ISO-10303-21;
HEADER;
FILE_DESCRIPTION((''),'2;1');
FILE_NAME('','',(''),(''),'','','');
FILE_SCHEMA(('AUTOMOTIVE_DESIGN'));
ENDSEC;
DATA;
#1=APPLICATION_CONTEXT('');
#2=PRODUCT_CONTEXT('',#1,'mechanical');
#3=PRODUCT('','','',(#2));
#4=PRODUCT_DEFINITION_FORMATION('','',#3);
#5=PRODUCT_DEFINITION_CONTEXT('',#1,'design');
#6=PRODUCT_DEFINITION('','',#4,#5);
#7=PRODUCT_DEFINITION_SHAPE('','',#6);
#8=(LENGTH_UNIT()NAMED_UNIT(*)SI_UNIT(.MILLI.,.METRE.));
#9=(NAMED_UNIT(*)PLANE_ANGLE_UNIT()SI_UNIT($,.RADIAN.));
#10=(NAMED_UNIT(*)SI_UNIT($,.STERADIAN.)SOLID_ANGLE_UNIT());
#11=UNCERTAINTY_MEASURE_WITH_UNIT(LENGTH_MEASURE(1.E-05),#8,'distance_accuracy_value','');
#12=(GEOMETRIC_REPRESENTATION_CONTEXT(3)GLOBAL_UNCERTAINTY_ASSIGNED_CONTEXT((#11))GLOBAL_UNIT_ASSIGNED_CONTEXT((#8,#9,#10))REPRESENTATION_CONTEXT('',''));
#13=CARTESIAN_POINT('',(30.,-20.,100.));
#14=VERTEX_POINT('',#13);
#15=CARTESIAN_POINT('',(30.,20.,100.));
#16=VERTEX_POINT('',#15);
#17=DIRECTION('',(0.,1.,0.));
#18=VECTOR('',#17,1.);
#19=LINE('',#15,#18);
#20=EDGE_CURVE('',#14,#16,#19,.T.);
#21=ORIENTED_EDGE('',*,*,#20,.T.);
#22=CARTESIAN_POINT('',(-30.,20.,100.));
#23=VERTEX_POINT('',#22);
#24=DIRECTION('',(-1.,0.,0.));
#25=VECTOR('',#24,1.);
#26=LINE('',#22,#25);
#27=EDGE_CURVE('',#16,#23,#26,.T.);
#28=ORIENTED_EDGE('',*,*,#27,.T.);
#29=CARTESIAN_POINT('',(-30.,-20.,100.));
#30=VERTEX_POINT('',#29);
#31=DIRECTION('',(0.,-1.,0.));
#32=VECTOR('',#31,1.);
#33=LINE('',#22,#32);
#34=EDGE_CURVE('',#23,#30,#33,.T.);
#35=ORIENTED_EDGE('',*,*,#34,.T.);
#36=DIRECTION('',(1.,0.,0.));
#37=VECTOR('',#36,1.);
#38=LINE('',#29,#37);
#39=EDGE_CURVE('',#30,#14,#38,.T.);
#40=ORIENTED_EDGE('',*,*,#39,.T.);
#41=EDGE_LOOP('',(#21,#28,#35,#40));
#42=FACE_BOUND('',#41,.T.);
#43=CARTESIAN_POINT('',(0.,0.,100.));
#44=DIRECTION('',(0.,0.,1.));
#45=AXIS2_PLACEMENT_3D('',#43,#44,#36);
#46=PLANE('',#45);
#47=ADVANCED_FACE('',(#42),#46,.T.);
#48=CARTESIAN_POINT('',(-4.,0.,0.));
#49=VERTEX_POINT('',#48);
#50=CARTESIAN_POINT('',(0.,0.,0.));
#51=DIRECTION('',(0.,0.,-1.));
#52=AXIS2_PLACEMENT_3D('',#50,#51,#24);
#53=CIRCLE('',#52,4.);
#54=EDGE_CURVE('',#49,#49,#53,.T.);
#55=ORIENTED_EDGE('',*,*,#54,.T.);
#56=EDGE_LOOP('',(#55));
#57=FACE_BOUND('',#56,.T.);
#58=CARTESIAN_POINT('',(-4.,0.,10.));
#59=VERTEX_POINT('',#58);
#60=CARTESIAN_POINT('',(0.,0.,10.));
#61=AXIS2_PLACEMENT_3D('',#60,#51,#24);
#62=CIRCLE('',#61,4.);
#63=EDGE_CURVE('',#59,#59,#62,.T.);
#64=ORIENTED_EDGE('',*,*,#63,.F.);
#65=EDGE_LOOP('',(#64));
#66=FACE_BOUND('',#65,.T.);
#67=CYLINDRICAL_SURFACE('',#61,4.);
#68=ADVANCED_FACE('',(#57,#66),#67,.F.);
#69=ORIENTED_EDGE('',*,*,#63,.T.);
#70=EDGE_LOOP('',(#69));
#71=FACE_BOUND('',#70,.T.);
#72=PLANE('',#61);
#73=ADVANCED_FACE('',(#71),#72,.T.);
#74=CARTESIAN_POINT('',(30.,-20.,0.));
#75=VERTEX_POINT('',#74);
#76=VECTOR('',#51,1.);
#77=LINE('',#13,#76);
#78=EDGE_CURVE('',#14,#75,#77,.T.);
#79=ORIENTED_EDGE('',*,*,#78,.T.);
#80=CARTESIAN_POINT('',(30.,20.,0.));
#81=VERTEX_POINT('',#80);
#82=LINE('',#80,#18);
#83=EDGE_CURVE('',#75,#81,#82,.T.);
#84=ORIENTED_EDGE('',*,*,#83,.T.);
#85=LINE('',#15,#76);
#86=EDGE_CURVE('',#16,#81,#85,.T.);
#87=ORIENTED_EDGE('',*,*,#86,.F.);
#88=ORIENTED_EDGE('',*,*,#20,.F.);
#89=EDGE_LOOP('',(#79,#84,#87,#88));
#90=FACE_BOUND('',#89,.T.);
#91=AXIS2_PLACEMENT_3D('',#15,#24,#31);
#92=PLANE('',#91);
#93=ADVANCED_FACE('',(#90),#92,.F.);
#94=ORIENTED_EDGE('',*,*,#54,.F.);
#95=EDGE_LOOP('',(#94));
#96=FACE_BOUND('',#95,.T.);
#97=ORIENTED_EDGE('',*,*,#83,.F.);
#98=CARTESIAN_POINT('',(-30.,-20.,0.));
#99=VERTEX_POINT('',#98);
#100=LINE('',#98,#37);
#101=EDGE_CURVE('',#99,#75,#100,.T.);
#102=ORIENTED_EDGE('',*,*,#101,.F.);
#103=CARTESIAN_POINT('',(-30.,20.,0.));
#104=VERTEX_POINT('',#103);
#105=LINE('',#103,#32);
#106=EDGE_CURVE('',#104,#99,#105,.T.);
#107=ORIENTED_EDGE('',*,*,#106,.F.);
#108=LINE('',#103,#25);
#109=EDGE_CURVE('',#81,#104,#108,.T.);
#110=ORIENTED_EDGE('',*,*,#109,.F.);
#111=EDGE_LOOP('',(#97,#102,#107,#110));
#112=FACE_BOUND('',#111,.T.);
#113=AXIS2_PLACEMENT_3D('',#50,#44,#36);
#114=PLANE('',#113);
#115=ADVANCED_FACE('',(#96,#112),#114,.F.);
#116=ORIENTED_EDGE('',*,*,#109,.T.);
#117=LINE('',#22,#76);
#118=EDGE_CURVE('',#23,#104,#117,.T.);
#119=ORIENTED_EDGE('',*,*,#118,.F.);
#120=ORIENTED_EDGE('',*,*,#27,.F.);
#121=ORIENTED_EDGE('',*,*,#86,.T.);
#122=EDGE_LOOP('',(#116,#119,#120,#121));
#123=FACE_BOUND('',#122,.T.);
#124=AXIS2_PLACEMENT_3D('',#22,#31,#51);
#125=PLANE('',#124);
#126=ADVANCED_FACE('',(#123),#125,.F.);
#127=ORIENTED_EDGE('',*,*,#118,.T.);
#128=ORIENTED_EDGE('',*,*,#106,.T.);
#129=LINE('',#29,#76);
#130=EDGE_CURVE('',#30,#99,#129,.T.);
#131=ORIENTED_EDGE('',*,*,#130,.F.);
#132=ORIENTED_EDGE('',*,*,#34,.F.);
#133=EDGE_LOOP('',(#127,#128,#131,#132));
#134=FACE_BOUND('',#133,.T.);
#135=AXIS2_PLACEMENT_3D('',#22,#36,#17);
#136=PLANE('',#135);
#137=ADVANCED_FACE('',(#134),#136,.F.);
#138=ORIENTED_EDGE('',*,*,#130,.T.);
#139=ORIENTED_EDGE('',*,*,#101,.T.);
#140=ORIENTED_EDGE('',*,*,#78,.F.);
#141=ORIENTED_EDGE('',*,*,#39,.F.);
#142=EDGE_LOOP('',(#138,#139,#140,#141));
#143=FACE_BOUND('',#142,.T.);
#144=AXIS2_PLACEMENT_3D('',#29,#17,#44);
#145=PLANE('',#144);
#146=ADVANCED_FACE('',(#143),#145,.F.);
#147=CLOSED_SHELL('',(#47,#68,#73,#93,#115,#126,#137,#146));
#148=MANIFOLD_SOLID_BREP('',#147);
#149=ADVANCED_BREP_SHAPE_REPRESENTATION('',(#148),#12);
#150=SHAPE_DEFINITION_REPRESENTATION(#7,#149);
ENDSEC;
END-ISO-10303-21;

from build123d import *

# Parameters (mm, degrees)
SKETCH_1_W          = 60
SKETCH_1_H          = 40
EXTRUDE_1_DEPTH     = 100
SKETCH_2_R          = 4
CUT_EXTRUDE_1_DEPTH = 10


with BuildPart() as part:
    # 草图1 → 凸台-拉伸1 (new body)
    with BuildSketch(Plane.XY):
        Rectangle(SKETCH_1_W, SKETCH_1_H)
    extrude(amount=EXTRUDE_1_DEPTH)

    # 草图2 → 切除-拉伸1 (cut)
    with BuildSketch(Plane(origin=(0, 0, 0), x_dir=(-1, 0, 0), z_dir=(0, 0, -1))):
        Circle(SKETCH_2_R)
    extrude(amount=-CUT_EXTRUDE_1_DEPTH, mode=Mode.SUBTRACT)


solid = part.part
